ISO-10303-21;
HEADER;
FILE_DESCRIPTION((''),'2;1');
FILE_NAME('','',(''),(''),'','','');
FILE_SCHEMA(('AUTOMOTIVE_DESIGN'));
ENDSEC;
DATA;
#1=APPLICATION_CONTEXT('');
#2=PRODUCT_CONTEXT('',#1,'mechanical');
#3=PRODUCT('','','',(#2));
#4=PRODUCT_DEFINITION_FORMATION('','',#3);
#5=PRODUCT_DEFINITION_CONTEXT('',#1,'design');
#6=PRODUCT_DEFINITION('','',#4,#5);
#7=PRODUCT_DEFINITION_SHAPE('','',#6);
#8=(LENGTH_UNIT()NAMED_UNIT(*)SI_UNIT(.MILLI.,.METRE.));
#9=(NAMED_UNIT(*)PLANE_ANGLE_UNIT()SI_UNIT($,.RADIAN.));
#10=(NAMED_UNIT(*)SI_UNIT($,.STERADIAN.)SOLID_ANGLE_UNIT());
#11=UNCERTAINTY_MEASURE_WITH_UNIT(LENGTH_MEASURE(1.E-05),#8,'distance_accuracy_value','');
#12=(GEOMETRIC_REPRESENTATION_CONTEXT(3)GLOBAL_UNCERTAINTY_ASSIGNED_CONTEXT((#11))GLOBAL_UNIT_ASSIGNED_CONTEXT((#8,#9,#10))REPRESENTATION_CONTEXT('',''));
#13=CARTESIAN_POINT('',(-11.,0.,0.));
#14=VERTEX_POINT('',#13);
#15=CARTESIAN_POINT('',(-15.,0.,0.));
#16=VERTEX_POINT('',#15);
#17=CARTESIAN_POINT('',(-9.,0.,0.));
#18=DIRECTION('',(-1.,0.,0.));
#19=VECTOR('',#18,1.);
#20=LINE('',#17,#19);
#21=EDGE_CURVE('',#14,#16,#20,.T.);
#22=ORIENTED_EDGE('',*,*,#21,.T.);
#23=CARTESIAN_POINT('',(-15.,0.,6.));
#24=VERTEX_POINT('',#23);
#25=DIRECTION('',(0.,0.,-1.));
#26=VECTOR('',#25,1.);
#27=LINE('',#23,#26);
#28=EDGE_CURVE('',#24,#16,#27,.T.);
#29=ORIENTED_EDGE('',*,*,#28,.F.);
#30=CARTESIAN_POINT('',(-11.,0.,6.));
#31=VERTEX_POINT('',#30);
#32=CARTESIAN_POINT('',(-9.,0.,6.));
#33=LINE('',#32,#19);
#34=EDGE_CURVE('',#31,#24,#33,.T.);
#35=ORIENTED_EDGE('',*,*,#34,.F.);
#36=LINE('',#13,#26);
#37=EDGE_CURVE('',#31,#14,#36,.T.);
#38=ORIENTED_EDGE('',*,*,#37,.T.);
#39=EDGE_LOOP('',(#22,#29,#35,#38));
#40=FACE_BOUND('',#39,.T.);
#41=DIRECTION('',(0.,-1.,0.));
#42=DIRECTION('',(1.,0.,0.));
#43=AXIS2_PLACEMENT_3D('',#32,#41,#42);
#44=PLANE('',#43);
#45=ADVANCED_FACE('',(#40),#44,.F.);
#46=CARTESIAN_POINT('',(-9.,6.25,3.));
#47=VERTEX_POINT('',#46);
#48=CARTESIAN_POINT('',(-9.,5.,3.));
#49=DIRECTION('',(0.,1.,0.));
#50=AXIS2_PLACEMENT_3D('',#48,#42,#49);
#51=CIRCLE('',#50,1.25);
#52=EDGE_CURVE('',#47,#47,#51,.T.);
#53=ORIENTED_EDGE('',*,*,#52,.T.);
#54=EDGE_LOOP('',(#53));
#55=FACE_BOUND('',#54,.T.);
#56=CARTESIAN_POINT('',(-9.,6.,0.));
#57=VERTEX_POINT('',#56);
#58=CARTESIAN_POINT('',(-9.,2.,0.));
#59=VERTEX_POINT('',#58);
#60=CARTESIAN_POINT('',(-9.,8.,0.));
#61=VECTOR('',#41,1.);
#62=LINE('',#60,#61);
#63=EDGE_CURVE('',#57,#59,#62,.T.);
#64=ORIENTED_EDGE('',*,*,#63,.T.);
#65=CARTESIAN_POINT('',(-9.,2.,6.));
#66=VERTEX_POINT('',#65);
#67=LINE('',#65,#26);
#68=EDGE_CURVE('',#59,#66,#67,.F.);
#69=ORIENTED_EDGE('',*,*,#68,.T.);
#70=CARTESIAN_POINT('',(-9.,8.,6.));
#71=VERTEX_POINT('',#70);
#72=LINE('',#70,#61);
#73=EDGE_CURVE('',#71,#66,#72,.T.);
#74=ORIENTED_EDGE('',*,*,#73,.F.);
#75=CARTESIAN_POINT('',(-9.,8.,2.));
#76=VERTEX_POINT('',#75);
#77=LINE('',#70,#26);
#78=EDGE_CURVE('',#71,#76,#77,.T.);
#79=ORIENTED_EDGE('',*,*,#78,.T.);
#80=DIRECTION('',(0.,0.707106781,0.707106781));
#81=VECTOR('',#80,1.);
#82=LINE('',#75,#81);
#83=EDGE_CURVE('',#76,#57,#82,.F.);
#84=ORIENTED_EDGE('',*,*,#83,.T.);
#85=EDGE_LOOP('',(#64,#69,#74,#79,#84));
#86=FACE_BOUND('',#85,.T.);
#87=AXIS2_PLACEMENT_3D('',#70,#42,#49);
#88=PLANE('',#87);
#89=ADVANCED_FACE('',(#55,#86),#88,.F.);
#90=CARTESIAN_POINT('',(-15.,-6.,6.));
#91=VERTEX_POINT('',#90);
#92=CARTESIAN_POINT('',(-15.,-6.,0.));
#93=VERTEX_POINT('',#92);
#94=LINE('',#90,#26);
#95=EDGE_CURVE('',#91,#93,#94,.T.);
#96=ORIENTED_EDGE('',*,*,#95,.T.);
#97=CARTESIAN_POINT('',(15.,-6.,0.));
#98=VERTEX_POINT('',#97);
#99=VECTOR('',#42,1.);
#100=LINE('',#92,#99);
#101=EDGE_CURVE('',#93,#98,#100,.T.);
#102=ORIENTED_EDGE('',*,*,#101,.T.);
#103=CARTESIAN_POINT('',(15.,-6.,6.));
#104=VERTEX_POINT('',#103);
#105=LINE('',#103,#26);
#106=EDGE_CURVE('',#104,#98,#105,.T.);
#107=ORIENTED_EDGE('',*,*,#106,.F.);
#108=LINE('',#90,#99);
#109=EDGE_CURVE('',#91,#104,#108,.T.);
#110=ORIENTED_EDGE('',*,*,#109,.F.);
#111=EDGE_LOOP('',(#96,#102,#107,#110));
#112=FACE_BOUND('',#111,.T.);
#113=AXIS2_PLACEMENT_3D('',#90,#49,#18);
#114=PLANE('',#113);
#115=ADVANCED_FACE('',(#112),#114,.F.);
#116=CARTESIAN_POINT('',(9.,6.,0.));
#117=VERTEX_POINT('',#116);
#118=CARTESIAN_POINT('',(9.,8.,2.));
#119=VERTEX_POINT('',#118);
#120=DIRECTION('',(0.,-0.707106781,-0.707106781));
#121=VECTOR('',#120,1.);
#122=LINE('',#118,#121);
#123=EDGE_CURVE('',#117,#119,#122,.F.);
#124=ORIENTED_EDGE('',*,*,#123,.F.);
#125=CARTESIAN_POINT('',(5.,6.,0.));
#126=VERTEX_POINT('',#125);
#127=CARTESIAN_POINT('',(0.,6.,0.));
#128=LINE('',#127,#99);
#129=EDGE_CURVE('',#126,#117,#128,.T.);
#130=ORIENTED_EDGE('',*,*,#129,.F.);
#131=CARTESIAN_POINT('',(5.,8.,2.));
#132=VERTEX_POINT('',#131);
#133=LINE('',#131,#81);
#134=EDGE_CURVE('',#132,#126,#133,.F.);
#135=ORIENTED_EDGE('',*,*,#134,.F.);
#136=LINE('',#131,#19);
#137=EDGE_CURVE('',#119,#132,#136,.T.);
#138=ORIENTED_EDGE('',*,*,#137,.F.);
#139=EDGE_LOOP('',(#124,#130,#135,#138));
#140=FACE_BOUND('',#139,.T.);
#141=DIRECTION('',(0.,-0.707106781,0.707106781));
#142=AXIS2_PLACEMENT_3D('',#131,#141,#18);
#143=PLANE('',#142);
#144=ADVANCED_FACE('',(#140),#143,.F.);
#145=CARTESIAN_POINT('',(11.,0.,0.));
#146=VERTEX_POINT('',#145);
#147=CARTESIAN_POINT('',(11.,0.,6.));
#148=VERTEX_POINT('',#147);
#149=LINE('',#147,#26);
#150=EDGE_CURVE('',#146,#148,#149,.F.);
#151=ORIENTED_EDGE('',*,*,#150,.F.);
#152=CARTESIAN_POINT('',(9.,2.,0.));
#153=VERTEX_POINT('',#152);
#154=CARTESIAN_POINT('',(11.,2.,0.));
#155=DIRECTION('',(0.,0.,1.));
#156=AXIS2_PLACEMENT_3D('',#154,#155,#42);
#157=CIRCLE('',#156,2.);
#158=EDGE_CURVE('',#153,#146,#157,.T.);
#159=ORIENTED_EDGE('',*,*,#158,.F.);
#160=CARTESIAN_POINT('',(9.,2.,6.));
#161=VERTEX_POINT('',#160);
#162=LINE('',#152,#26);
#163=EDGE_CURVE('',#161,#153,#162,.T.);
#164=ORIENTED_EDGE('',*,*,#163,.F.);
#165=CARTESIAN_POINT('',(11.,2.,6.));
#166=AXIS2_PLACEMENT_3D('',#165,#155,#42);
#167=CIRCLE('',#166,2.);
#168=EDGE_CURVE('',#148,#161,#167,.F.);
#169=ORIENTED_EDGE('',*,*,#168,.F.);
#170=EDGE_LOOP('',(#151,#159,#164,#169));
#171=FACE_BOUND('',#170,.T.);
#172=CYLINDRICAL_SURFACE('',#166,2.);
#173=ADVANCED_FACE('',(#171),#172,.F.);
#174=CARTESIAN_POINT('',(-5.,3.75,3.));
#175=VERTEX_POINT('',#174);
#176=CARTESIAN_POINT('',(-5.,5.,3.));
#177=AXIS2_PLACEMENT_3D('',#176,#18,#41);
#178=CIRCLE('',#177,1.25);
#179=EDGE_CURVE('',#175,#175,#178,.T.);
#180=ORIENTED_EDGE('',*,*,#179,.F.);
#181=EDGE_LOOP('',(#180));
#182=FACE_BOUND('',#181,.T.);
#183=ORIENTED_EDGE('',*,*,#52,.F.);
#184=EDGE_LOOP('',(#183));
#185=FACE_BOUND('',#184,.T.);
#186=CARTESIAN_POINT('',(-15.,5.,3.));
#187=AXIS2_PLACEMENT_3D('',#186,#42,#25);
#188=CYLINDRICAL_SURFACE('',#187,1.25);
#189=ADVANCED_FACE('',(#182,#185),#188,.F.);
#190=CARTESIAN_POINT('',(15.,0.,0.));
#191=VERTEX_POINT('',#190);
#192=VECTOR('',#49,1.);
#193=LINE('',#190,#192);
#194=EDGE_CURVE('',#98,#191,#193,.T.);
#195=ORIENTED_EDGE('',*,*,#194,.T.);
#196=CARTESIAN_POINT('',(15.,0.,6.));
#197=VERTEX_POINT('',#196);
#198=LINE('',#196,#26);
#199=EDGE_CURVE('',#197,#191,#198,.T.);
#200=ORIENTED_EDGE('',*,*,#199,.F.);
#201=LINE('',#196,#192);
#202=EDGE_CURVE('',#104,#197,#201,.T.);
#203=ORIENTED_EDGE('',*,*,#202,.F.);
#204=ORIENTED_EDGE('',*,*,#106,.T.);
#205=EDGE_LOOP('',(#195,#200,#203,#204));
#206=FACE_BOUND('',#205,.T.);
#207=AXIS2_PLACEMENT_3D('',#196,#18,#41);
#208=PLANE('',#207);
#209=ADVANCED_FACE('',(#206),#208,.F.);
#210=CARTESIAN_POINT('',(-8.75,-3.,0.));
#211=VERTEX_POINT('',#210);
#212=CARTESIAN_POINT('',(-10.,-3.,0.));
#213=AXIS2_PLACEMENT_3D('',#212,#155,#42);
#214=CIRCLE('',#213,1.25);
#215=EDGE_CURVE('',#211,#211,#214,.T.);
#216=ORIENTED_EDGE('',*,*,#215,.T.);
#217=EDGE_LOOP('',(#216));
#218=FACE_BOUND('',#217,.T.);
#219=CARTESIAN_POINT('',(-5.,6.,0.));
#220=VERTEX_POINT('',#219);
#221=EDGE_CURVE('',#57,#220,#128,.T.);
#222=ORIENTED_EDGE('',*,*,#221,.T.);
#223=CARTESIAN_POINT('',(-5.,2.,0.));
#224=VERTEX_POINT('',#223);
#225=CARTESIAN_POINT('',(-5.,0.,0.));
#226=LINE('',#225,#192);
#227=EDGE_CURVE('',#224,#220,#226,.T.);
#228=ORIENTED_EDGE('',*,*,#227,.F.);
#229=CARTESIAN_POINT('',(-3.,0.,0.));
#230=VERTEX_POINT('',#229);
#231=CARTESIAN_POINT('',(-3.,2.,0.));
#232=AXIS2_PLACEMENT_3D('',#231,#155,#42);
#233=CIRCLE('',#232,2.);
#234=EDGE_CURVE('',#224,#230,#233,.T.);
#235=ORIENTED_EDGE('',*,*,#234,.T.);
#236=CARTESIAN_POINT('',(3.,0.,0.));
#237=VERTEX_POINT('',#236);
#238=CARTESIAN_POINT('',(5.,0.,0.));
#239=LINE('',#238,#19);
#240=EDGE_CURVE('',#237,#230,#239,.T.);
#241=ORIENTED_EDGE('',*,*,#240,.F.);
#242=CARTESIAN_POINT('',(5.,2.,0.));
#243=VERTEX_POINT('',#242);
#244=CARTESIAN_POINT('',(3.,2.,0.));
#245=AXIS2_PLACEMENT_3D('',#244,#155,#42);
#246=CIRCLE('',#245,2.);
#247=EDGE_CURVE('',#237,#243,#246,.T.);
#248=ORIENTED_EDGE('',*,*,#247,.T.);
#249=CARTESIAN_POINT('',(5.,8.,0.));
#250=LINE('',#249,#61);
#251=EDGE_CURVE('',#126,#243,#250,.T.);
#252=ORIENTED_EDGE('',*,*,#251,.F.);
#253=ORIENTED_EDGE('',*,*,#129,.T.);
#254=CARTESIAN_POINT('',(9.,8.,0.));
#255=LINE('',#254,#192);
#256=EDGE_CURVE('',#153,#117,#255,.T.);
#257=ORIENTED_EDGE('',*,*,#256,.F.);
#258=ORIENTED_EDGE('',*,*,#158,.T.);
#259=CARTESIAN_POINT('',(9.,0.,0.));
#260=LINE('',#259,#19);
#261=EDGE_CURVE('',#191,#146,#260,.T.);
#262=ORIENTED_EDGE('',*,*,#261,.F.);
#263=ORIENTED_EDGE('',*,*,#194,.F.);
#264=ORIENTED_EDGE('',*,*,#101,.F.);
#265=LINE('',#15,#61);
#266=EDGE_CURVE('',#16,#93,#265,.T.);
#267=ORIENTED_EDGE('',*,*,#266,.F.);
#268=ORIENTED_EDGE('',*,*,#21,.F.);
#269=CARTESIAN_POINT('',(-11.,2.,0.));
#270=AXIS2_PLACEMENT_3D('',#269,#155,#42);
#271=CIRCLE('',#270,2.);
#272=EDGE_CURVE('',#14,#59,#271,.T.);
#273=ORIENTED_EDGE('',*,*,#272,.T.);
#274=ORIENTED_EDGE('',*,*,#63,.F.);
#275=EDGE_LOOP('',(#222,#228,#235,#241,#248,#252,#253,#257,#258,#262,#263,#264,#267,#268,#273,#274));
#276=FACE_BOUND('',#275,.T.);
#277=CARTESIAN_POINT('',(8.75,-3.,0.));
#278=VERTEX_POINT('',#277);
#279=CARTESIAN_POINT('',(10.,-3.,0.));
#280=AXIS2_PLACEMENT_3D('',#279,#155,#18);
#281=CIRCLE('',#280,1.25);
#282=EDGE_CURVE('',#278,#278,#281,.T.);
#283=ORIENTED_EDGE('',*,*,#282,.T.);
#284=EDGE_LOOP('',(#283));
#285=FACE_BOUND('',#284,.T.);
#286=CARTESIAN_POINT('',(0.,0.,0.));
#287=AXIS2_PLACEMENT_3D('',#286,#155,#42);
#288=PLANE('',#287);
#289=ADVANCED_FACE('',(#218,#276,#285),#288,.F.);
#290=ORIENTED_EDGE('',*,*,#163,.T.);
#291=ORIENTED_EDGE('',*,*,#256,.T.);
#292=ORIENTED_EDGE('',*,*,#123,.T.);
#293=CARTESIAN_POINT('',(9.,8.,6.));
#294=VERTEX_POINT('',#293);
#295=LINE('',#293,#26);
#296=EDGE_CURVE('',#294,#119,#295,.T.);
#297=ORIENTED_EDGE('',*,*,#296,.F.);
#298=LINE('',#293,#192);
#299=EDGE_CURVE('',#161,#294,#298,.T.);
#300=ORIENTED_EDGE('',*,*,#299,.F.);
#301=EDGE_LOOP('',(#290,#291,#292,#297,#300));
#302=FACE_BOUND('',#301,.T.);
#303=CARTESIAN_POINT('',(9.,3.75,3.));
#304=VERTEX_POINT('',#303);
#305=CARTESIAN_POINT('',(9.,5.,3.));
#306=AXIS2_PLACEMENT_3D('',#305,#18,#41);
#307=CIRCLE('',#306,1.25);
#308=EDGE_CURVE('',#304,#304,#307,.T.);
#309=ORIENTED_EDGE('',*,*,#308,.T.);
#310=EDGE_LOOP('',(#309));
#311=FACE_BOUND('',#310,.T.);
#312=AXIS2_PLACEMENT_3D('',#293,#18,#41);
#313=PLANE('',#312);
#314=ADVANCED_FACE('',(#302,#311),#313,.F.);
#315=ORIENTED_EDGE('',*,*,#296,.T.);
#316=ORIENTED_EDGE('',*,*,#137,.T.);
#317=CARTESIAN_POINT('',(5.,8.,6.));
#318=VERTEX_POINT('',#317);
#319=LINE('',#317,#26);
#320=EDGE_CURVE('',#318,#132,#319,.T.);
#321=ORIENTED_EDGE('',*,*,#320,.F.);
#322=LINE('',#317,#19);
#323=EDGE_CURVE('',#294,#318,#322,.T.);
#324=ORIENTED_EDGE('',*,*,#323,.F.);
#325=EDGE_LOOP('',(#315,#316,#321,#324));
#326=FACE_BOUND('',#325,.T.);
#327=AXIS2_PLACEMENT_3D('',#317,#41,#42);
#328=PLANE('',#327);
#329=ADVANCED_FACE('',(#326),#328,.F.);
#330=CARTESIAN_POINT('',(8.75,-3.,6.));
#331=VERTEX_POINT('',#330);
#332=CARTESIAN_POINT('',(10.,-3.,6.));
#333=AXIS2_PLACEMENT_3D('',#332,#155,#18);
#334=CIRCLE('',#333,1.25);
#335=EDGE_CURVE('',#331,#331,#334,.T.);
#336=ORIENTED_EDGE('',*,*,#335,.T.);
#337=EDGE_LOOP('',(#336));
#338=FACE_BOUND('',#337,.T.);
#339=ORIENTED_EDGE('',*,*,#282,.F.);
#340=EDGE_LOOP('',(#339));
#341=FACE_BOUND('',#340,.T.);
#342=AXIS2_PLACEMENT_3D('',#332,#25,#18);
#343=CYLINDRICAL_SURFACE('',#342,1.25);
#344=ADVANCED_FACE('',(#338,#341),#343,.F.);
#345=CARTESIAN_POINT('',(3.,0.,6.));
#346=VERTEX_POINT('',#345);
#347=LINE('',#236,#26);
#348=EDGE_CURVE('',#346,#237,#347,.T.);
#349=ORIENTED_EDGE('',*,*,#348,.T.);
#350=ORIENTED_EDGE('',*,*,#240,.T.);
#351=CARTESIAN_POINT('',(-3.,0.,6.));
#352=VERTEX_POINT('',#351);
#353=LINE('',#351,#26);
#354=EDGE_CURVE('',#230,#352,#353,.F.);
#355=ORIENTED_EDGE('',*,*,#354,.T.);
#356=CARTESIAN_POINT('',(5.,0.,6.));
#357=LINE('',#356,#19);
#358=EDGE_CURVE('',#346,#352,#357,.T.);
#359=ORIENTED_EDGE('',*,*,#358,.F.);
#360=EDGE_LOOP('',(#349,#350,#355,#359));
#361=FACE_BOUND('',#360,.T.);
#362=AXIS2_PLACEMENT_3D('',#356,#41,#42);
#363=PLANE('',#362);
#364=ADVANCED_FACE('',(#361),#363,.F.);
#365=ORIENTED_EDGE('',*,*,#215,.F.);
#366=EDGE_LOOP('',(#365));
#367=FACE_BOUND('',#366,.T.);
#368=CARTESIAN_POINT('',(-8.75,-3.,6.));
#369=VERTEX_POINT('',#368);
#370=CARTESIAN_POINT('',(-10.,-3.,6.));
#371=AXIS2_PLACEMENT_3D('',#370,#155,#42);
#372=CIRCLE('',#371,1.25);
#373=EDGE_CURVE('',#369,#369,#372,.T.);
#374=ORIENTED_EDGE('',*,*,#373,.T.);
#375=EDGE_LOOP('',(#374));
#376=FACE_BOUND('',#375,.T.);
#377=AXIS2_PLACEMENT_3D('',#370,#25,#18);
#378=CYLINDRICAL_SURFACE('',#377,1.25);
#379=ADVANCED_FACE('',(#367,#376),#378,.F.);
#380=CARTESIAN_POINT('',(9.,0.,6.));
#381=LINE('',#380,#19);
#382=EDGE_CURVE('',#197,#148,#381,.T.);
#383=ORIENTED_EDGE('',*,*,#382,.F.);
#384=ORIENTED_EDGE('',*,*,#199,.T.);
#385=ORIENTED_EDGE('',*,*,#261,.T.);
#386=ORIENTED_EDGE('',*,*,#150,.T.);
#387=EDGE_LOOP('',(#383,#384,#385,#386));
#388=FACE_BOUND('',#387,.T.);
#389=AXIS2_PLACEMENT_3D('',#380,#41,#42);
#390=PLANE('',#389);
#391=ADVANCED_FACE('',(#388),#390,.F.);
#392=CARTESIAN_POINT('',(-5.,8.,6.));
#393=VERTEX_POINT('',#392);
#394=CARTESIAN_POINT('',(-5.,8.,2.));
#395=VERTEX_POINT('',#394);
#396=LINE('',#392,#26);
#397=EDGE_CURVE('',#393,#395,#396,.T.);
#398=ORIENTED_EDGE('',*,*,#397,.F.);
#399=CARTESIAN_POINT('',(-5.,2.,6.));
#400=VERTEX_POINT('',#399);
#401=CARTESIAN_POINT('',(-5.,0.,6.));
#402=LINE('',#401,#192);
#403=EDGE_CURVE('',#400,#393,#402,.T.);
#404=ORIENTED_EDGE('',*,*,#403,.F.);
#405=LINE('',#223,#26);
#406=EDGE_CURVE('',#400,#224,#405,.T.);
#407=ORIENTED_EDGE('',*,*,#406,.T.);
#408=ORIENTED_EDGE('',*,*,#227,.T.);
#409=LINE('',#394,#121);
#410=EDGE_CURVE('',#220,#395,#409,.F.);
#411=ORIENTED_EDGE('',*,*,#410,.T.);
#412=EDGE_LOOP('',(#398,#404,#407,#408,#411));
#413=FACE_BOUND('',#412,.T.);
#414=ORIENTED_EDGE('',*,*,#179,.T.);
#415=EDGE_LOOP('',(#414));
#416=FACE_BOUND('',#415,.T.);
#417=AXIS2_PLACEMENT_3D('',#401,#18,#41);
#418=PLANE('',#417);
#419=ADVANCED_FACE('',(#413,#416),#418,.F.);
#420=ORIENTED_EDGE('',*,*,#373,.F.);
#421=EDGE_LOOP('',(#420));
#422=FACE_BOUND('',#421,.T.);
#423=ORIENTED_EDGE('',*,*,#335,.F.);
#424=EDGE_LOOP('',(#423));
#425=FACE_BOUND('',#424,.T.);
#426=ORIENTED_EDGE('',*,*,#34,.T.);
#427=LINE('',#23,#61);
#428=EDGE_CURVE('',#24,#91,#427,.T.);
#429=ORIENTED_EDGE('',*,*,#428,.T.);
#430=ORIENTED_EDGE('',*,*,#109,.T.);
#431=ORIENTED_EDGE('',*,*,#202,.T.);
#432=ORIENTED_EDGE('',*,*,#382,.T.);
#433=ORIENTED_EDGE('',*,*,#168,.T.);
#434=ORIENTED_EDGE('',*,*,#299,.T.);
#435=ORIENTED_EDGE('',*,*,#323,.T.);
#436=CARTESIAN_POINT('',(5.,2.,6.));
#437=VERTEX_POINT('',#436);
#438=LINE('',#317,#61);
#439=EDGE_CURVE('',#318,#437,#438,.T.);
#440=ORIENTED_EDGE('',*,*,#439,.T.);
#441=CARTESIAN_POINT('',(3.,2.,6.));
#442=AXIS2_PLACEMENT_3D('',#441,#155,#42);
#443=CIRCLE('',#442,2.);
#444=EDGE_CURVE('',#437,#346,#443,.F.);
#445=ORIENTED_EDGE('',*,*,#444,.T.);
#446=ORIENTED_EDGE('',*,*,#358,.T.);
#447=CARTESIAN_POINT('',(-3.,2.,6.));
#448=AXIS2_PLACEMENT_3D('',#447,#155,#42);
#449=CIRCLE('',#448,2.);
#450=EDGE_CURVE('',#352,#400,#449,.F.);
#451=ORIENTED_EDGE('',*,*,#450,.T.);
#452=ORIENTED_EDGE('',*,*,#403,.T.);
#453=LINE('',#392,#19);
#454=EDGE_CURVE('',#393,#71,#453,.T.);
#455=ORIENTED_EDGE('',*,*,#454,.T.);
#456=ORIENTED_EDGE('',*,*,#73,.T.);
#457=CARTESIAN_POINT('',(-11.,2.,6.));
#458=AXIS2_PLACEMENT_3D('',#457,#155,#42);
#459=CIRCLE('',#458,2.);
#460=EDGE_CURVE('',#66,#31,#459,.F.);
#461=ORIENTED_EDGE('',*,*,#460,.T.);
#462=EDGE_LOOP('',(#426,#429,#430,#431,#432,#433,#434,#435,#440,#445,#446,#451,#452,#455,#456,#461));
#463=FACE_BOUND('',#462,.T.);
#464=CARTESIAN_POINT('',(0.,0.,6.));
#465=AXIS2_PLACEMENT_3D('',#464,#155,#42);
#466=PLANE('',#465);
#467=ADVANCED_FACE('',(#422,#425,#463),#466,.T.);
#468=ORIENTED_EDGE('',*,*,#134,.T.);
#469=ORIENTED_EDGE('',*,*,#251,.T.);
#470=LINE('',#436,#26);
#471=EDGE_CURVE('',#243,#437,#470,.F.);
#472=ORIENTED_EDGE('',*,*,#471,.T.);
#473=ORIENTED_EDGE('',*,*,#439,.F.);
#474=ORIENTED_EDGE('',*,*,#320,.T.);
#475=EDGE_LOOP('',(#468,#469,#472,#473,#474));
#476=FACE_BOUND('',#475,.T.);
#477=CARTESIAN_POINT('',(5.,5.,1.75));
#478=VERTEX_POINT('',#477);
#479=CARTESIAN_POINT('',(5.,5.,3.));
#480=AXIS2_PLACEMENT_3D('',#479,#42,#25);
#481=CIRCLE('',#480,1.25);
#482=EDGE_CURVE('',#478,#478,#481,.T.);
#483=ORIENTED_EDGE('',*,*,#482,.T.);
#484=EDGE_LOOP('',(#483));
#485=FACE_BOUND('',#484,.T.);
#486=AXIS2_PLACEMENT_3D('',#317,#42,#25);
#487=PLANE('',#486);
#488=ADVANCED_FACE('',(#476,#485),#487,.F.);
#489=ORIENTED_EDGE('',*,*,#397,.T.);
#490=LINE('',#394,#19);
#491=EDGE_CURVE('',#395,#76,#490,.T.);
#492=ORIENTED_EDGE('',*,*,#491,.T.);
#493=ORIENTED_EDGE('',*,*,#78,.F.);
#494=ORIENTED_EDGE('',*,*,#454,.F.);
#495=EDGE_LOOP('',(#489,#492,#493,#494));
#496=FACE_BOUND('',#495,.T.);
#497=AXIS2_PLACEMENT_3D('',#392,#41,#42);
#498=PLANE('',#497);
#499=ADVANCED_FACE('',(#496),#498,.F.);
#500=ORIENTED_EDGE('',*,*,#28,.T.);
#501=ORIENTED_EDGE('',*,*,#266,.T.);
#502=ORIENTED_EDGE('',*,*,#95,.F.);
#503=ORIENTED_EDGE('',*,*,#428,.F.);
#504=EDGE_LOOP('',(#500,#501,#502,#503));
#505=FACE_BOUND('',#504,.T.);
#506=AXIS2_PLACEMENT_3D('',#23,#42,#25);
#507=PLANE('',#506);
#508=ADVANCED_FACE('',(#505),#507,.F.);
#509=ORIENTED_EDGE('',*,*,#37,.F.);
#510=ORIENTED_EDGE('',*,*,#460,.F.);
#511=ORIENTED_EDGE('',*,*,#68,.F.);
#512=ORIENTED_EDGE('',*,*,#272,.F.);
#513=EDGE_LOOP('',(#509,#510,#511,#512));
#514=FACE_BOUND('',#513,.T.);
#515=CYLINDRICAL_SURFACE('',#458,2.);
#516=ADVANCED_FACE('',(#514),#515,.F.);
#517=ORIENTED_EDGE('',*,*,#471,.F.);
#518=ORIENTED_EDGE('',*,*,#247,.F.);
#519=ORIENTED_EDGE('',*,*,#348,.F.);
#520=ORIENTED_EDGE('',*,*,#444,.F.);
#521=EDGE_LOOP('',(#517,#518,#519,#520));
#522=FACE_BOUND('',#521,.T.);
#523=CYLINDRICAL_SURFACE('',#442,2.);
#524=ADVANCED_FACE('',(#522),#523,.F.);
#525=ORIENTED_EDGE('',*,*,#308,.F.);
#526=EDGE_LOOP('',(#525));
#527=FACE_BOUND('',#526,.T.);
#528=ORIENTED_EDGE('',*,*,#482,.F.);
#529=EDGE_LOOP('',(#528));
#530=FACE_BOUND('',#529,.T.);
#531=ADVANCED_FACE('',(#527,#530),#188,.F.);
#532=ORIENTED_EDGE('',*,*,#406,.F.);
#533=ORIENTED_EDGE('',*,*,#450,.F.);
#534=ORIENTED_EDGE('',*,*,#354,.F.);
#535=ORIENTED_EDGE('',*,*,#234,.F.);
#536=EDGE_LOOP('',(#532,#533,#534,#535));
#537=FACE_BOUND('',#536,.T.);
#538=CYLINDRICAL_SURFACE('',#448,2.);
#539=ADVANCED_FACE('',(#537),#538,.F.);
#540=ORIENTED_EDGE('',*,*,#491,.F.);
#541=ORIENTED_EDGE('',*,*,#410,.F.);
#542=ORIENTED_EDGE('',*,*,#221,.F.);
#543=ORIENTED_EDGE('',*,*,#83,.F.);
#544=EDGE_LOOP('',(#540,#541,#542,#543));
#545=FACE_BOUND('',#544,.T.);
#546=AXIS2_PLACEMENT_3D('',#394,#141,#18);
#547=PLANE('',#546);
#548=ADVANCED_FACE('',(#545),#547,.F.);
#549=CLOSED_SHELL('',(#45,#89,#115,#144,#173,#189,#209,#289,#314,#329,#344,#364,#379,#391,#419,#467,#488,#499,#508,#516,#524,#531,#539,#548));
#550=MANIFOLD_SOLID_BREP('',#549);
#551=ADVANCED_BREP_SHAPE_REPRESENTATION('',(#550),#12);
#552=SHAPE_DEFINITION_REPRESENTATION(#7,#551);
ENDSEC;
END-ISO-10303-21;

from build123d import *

# Parameters (mm, degrees)
SKETCH_1_R               = 1.25
EXTRUDE_1_DEPTH          = 6
CHAMFER_1_SIZE           = 2
SKETCH_2_R               = 1.25
CUT_EXTRUDE_1_DEPTH      = 16
CUT_EXTRUDE_1_DEPTH_BACK = 16
FILLET_1_R               = 2


with BuildPart() as part:
    # 草图1 → 凸台-拉伸1 (new body)
    with BuildSketch(Plane.XY):
        Polygon((-15, -6), (15, -6), (15, 0), (9, 0), (9, 8), (5, 8), (5, 0), (-5, 0), (-5, 8), (-9, 8), (-9, 0), (-15, 0), align=None)
        with Locations((-10, -3)):
            Circle(SKETCH_1_R, mode=Mode.SUBTRACT)
        with Locations((10, -3)):
            Circle(SKETCH_1_R, mode=Mode.SUBTRACT)
    extrude(amount=EXTRUDE_1_DEPTH)

    # 倒角1
    chamfer_1_edges = [part.edges().sort_by_distance(p)[0] for p in [
        (-7, 8, 0),
        (7, 8, 0),
    ]]
    chamfer(chamfer_1_edges, length=CHAMFER_1_SIZE)

    # 草图2 → 切除-拉伸1 (cut, two sides)
    with BuildSketch(Plane(origin=(0, 0, 0), x_dir=(0, 0, -1), z_dir=(1, 0, 0))) as cut_extrude_1_sk:
        with Locations((-3, 5)):
            Circle(SKETCH_2_R)
    extrude(amount=CUT_EXTRUDE_1_DEPTH, mode=Mode.SUBTRACT)
    extrude(cut_extrude_1_sk.sketch, amount=-CUT_EXTRUDE_1_DEPTH_BACK, mode=Mode.SUBTRACT)

    # 圆角1
    fillet_1_edges = [part.edges().sort_by_distance(p)[0] for p in [
        (-9, 0, 3),
        (-5, 0, 3),
        (5, 0, 3),
        (9, 0, 3),
    ]]
    fillet(fillet_1_edges, radius=FILLET_1_R)


solid = part.part
